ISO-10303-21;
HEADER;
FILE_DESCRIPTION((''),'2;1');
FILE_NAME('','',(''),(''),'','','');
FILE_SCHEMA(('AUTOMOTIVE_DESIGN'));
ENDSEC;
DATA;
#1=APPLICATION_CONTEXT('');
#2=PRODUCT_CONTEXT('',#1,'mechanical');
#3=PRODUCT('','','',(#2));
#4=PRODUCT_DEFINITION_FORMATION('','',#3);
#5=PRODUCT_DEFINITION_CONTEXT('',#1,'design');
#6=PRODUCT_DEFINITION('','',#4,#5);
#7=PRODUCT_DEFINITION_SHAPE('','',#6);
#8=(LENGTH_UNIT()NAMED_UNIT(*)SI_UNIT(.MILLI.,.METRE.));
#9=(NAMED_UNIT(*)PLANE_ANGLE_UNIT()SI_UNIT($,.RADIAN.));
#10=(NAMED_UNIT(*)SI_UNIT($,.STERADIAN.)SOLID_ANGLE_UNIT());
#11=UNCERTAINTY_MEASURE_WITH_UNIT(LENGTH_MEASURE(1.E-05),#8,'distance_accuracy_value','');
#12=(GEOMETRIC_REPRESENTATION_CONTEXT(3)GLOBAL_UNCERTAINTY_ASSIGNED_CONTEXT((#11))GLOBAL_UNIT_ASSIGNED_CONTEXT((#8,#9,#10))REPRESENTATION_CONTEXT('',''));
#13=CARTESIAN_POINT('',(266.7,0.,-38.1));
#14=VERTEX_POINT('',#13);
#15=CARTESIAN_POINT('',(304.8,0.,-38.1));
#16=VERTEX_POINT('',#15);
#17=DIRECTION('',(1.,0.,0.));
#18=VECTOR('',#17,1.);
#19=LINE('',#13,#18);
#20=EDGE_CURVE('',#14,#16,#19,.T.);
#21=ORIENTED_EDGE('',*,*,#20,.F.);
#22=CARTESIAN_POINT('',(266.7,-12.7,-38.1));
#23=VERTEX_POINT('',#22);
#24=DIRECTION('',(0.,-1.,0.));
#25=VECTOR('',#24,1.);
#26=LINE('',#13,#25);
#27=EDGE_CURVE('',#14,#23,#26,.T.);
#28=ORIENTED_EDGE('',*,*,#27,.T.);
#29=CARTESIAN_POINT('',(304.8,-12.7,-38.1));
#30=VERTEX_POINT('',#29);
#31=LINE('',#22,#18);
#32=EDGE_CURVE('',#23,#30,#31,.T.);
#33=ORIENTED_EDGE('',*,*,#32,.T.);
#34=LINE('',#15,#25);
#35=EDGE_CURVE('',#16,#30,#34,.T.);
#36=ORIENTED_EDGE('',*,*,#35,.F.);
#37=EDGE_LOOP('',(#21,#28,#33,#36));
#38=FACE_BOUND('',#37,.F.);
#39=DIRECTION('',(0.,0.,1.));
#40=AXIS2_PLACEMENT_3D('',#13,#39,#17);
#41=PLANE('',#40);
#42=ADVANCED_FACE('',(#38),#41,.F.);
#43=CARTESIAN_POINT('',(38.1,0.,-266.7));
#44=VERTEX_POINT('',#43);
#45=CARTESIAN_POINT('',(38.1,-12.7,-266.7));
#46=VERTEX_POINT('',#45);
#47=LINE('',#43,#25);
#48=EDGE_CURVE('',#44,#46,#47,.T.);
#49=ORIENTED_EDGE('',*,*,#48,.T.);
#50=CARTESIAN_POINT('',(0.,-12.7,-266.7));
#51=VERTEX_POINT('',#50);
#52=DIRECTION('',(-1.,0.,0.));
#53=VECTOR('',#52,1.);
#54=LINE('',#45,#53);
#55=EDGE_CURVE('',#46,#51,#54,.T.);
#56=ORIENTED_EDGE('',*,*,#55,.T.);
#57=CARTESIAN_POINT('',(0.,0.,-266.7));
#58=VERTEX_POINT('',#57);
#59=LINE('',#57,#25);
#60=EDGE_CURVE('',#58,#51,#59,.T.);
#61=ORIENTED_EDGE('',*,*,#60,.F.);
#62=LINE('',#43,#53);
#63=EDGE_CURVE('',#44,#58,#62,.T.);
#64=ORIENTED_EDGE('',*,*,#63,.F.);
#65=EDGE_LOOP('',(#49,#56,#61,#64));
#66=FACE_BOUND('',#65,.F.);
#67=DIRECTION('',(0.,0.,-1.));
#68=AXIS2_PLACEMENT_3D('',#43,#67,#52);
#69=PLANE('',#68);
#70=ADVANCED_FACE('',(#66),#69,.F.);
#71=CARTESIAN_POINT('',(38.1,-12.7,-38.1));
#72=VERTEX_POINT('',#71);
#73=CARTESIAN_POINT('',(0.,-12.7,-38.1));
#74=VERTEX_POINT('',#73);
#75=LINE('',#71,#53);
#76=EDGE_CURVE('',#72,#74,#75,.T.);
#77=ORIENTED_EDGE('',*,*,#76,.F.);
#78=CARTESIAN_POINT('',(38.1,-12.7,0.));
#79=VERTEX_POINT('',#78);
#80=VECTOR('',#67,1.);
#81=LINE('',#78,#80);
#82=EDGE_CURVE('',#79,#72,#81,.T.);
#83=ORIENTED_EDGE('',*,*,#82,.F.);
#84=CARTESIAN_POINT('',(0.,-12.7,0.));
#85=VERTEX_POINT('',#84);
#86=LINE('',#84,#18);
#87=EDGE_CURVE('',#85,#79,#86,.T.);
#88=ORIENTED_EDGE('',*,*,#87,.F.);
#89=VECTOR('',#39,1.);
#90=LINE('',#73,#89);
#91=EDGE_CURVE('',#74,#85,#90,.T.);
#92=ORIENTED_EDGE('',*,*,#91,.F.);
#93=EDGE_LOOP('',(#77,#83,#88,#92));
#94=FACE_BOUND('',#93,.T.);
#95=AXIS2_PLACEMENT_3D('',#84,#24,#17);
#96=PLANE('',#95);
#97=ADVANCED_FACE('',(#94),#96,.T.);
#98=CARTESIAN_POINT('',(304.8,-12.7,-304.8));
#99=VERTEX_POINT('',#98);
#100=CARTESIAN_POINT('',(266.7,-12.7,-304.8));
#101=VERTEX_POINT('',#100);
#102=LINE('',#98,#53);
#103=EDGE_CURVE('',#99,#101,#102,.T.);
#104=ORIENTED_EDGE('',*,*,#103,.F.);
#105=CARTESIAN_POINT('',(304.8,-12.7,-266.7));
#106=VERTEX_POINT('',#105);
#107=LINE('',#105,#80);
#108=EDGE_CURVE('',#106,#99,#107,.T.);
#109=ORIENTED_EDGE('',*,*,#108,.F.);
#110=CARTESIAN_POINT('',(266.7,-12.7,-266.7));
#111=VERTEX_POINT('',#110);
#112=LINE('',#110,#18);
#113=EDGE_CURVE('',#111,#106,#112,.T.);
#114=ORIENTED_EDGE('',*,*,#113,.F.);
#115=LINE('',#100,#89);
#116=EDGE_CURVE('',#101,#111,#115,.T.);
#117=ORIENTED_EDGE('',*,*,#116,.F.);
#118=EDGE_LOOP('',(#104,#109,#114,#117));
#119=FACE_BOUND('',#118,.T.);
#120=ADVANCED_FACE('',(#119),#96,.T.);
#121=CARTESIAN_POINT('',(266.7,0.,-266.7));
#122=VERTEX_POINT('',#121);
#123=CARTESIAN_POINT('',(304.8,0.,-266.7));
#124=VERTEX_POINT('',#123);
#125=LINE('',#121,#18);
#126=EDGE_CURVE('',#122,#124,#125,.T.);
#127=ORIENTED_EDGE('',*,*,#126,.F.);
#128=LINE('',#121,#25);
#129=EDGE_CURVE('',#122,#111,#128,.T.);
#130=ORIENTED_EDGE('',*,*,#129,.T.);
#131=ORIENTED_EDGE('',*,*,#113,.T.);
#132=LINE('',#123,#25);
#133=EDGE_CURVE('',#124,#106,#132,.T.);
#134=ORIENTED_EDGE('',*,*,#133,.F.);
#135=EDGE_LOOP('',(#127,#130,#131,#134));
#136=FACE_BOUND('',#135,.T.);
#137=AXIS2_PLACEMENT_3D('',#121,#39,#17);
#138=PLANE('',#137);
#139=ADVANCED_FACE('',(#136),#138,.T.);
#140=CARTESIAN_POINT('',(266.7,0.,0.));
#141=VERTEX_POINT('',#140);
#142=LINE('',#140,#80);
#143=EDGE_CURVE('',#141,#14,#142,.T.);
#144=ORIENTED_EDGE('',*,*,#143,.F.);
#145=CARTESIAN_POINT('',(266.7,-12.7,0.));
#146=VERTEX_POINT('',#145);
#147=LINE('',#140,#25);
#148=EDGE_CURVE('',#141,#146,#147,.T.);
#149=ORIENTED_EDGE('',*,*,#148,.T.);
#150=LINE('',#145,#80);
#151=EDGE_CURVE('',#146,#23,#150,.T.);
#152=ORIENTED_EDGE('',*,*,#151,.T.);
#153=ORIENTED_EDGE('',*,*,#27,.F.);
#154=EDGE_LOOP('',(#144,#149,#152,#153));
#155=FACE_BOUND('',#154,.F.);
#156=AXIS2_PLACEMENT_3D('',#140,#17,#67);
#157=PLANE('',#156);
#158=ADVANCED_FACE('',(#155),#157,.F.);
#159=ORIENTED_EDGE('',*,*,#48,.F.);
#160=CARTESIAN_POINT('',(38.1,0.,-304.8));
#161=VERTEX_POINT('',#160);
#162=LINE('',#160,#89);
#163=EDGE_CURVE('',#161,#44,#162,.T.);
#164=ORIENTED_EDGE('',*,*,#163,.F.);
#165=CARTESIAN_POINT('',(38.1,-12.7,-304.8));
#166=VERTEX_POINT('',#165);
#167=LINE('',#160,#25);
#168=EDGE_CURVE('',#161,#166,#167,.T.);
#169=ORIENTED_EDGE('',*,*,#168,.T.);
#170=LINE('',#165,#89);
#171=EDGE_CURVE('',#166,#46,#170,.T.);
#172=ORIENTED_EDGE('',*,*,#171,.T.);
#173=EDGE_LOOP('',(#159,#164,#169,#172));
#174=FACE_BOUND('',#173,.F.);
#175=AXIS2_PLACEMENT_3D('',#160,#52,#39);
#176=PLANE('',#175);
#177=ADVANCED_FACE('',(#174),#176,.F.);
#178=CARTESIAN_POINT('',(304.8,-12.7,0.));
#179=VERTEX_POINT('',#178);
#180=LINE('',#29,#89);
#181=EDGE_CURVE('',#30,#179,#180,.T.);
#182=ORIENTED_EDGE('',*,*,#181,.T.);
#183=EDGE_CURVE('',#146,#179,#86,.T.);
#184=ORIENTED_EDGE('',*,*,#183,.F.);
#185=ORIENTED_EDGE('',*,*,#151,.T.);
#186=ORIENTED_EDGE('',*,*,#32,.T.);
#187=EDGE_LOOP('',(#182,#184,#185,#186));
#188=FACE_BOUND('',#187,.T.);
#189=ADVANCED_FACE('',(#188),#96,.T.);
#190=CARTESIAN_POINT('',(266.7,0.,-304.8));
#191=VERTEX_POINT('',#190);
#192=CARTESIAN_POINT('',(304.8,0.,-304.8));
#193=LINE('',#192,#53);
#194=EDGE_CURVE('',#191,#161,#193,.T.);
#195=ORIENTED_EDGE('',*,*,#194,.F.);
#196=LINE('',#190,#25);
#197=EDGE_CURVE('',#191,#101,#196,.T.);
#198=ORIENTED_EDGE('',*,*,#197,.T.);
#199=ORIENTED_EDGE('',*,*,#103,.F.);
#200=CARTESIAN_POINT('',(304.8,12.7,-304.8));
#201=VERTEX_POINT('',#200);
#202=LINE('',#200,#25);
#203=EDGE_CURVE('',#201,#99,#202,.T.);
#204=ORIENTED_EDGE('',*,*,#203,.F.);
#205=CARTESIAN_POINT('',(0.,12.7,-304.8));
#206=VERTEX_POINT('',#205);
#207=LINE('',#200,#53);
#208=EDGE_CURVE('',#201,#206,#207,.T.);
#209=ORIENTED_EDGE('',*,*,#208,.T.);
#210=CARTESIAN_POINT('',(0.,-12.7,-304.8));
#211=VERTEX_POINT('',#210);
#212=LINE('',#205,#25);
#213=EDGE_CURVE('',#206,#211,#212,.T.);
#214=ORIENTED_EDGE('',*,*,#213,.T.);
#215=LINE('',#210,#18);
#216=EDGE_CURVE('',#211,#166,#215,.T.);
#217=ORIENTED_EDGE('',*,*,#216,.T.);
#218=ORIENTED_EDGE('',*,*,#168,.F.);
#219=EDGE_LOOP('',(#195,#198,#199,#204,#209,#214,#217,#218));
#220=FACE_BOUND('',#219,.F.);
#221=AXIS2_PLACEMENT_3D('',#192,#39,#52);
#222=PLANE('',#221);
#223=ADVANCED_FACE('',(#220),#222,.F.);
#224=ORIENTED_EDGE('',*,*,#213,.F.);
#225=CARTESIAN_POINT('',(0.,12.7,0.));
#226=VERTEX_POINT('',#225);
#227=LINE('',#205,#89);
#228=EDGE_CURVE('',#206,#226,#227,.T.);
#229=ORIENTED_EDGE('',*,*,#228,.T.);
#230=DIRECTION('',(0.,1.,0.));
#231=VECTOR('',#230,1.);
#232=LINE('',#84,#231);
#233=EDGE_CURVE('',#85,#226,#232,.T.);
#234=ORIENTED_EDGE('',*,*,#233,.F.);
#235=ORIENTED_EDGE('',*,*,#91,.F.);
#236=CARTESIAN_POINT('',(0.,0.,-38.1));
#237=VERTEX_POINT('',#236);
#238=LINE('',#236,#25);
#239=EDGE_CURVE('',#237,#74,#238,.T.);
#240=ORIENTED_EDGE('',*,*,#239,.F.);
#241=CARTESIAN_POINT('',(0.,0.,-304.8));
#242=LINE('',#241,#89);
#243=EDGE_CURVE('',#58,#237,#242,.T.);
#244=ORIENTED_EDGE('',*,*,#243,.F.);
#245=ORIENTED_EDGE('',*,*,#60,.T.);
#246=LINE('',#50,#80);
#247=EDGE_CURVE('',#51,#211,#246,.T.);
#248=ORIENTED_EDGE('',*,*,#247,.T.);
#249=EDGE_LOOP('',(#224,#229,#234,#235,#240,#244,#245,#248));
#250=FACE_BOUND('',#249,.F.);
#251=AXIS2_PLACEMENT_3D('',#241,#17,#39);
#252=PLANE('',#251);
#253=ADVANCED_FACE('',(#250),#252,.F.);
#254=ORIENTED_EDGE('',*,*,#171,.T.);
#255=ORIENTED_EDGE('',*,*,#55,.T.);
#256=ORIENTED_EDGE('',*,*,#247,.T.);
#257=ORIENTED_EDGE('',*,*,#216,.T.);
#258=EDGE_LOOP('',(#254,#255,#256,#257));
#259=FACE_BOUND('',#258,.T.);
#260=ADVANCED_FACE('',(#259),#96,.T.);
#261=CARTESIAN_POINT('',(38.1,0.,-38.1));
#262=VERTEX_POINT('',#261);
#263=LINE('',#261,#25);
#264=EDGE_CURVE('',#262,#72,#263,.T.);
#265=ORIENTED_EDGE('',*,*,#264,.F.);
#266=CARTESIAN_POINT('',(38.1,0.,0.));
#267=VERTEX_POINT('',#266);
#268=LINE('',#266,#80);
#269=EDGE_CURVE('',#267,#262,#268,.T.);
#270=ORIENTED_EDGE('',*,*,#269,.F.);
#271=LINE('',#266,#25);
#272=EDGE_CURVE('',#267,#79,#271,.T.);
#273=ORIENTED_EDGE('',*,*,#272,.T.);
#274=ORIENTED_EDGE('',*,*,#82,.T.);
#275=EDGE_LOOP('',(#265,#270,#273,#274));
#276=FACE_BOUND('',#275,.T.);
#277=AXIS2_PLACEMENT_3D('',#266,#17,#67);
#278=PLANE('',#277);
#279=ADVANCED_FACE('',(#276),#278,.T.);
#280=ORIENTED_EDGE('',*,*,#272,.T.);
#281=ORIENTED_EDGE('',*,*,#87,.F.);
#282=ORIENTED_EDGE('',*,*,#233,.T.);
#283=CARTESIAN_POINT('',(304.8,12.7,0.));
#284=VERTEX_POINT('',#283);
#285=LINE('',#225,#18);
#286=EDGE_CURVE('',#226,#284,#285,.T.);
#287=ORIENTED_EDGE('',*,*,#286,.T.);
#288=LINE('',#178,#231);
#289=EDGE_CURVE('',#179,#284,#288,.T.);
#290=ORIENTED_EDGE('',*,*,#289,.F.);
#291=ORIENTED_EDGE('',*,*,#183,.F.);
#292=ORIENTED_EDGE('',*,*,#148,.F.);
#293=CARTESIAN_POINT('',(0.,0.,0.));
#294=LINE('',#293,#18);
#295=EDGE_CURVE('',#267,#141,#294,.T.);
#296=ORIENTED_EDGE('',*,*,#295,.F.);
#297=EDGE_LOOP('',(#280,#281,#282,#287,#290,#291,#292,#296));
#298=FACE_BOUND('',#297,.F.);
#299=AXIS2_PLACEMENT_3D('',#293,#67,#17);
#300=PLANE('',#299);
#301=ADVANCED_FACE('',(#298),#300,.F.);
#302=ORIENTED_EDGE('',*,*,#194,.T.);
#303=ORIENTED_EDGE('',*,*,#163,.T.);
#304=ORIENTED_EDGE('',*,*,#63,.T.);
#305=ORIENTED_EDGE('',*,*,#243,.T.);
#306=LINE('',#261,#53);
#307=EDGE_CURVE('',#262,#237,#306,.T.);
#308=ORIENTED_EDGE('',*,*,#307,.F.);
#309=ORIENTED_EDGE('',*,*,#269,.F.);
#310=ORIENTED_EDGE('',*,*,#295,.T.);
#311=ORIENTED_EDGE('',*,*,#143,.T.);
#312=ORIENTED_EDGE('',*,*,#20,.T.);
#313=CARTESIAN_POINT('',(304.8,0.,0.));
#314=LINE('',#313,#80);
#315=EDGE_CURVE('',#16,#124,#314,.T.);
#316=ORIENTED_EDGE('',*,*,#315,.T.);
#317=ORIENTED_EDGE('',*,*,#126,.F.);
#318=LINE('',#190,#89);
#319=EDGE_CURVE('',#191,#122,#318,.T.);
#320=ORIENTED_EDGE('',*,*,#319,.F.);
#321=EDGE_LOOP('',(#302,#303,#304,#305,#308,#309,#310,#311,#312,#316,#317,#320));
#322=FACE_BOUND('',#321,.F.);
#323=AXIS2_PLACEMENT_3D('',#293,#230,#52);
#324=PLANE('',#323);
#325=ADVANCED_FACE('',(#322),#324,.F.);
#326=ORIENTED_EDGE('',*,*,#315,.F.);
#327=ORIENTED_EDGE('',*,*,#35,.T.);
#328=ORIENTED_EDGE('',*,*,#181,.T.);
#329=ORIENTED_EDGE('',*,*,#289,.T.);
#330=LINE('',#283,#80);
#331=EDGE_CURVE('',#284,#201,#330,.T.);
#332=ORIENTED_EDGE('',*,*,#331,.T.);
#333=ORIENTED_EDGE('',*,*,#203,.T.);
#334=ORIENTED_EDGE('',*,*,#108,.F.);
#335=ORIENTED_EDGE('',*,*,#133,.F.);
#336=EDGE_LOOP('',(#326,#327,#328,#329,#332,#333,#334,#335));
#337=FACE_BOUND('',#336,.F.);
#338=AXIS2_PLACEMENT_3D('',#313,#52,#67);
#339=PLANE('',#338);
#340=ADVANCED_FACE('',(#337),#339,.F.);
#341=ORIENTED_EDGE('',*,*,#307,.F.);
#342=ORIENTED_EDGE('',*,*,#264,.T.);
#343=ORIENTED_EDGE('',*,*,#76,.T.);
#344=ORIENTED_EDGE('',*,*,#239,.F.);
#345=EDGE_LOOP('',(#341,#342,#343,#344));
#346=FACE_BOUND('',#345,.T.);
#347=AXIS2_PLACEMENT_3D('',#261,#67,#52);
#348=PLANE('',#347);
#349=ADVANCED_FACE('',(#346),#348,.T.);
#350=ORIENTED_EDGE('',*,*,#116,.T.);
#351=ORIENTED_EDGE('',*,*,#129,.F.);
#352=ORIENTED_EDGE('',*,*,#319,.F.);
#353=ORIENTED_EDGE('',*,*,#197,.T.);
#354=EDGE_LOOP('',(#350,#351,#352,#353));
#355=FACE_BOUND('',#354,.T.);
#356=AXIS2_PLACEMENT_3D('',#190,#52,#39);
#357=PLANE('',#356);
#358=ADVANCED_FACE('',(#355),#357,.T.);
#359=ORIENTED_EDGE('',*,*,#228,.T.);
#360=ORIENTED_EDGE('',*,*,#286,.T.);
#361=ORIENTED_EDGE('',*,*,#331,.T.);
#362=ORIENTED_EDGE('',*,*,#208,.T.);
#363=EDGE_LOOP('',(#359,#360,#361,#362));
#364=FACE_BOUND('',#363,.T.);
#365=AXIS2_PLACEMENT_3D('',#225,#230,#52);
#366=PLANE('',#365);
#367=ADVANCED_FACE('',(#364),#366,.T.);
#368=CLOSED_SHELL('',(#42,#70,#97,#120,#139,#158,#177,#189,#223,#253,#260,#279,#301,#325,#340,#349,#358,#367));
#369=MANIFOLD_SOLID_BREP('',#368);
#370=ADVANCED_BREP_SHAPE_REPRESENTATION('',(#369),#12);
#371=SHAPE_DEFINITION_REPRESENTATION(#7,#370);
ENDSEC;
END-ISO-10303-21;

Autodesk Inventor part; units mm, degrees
ref_plane "YZ Plane" through (0, 0, 0) normal (1, 0, 0) x (0, 1, 0)
ref_plane "XZ Plane" through (0, 0, 0) normal (0, 1, 0) x (-1, 0, 0)
ref_plane "XY Plane" through (0, 0, 0) normal (0, 0, 1) x (1, 0, 0)
sketch "Sketch1" plane through (0, 0, 0) normal (0, 1, 0) x (-1, 0, 0)
  line L0 (0, 0) -> (-304.8, 0)
  line L1 (-304.8, 0) -> (-304.8, -304.8)
  line L2 (-304.8, -304.8) -> (0, -304.8)
  line L3 (0, -304.8) -> (0, 0)
  dimension "d0" = 304.8
  dimension "d1" = 304.8
extrude "Extrusion1" add sketch "Sketch1" along normal blind 12.7
sketch "Sketch2" plane through (0, 0, 0) normal (0, -1, 0) x (1, 0, 0)
  line L0 (0, 0) -> (304.8, 0) projected
  line L1 (304.8, 0) -> (266.7, 0)
  line L2 (266.7, 0) -> (266.7, -38.1)
  line L3 (266.7, -38.1) -> (304.8, -38.1)
  line L4 (304.8, -38.1) -> (304.8, 0)
  line L5 (304.8, 0) -> (304.8, -304.8) construction
  line L6 (304.8, -152.4) -> (0, -152.4) construction
  line L7 (0, -304.8) -> (0, 0) construction
  line L8 (152.4, 0) -> (152.4, -304.8) construction
  line L9 (304.8, -304.8) -> (0, -304.8) construction
  line L10 (304.8, -304.8) -> (266.7, -304.8)
  line L11 (266.7, -304.8) -> (266.7, -266.7)
  line L12 (266.7, -266.7) -> (304.8, -266.7)
  line L13 (304.8, -266.7) -> (304.8, -304.8)
  line L14 (0, 0) -> (38.1, 0)
  line L15 (38.1, 0) -> (38.1, -38.1)
  line L16 (38.1, -38.1) -> (0, -38.1)
  line L17 (0, -38.1) -> (0, 0)
  line L18 (38.1, -266.7) -> (0, -266.7)
  line L19 (0, -266.7) -> (0, -304.8)
  line L20 (38.1, -304.8) -> (38.1, -266.7)
  line L21 (0, -304.8) -> (38.1, -304.8)
  dimension "d7" = 38.1
  dimension "d8" = 38.1
extrude "Extrusion2" add sketch "Sketch2" along normal blind 12.7
properties part number "WoodBase" material "Wood (Oak)"
